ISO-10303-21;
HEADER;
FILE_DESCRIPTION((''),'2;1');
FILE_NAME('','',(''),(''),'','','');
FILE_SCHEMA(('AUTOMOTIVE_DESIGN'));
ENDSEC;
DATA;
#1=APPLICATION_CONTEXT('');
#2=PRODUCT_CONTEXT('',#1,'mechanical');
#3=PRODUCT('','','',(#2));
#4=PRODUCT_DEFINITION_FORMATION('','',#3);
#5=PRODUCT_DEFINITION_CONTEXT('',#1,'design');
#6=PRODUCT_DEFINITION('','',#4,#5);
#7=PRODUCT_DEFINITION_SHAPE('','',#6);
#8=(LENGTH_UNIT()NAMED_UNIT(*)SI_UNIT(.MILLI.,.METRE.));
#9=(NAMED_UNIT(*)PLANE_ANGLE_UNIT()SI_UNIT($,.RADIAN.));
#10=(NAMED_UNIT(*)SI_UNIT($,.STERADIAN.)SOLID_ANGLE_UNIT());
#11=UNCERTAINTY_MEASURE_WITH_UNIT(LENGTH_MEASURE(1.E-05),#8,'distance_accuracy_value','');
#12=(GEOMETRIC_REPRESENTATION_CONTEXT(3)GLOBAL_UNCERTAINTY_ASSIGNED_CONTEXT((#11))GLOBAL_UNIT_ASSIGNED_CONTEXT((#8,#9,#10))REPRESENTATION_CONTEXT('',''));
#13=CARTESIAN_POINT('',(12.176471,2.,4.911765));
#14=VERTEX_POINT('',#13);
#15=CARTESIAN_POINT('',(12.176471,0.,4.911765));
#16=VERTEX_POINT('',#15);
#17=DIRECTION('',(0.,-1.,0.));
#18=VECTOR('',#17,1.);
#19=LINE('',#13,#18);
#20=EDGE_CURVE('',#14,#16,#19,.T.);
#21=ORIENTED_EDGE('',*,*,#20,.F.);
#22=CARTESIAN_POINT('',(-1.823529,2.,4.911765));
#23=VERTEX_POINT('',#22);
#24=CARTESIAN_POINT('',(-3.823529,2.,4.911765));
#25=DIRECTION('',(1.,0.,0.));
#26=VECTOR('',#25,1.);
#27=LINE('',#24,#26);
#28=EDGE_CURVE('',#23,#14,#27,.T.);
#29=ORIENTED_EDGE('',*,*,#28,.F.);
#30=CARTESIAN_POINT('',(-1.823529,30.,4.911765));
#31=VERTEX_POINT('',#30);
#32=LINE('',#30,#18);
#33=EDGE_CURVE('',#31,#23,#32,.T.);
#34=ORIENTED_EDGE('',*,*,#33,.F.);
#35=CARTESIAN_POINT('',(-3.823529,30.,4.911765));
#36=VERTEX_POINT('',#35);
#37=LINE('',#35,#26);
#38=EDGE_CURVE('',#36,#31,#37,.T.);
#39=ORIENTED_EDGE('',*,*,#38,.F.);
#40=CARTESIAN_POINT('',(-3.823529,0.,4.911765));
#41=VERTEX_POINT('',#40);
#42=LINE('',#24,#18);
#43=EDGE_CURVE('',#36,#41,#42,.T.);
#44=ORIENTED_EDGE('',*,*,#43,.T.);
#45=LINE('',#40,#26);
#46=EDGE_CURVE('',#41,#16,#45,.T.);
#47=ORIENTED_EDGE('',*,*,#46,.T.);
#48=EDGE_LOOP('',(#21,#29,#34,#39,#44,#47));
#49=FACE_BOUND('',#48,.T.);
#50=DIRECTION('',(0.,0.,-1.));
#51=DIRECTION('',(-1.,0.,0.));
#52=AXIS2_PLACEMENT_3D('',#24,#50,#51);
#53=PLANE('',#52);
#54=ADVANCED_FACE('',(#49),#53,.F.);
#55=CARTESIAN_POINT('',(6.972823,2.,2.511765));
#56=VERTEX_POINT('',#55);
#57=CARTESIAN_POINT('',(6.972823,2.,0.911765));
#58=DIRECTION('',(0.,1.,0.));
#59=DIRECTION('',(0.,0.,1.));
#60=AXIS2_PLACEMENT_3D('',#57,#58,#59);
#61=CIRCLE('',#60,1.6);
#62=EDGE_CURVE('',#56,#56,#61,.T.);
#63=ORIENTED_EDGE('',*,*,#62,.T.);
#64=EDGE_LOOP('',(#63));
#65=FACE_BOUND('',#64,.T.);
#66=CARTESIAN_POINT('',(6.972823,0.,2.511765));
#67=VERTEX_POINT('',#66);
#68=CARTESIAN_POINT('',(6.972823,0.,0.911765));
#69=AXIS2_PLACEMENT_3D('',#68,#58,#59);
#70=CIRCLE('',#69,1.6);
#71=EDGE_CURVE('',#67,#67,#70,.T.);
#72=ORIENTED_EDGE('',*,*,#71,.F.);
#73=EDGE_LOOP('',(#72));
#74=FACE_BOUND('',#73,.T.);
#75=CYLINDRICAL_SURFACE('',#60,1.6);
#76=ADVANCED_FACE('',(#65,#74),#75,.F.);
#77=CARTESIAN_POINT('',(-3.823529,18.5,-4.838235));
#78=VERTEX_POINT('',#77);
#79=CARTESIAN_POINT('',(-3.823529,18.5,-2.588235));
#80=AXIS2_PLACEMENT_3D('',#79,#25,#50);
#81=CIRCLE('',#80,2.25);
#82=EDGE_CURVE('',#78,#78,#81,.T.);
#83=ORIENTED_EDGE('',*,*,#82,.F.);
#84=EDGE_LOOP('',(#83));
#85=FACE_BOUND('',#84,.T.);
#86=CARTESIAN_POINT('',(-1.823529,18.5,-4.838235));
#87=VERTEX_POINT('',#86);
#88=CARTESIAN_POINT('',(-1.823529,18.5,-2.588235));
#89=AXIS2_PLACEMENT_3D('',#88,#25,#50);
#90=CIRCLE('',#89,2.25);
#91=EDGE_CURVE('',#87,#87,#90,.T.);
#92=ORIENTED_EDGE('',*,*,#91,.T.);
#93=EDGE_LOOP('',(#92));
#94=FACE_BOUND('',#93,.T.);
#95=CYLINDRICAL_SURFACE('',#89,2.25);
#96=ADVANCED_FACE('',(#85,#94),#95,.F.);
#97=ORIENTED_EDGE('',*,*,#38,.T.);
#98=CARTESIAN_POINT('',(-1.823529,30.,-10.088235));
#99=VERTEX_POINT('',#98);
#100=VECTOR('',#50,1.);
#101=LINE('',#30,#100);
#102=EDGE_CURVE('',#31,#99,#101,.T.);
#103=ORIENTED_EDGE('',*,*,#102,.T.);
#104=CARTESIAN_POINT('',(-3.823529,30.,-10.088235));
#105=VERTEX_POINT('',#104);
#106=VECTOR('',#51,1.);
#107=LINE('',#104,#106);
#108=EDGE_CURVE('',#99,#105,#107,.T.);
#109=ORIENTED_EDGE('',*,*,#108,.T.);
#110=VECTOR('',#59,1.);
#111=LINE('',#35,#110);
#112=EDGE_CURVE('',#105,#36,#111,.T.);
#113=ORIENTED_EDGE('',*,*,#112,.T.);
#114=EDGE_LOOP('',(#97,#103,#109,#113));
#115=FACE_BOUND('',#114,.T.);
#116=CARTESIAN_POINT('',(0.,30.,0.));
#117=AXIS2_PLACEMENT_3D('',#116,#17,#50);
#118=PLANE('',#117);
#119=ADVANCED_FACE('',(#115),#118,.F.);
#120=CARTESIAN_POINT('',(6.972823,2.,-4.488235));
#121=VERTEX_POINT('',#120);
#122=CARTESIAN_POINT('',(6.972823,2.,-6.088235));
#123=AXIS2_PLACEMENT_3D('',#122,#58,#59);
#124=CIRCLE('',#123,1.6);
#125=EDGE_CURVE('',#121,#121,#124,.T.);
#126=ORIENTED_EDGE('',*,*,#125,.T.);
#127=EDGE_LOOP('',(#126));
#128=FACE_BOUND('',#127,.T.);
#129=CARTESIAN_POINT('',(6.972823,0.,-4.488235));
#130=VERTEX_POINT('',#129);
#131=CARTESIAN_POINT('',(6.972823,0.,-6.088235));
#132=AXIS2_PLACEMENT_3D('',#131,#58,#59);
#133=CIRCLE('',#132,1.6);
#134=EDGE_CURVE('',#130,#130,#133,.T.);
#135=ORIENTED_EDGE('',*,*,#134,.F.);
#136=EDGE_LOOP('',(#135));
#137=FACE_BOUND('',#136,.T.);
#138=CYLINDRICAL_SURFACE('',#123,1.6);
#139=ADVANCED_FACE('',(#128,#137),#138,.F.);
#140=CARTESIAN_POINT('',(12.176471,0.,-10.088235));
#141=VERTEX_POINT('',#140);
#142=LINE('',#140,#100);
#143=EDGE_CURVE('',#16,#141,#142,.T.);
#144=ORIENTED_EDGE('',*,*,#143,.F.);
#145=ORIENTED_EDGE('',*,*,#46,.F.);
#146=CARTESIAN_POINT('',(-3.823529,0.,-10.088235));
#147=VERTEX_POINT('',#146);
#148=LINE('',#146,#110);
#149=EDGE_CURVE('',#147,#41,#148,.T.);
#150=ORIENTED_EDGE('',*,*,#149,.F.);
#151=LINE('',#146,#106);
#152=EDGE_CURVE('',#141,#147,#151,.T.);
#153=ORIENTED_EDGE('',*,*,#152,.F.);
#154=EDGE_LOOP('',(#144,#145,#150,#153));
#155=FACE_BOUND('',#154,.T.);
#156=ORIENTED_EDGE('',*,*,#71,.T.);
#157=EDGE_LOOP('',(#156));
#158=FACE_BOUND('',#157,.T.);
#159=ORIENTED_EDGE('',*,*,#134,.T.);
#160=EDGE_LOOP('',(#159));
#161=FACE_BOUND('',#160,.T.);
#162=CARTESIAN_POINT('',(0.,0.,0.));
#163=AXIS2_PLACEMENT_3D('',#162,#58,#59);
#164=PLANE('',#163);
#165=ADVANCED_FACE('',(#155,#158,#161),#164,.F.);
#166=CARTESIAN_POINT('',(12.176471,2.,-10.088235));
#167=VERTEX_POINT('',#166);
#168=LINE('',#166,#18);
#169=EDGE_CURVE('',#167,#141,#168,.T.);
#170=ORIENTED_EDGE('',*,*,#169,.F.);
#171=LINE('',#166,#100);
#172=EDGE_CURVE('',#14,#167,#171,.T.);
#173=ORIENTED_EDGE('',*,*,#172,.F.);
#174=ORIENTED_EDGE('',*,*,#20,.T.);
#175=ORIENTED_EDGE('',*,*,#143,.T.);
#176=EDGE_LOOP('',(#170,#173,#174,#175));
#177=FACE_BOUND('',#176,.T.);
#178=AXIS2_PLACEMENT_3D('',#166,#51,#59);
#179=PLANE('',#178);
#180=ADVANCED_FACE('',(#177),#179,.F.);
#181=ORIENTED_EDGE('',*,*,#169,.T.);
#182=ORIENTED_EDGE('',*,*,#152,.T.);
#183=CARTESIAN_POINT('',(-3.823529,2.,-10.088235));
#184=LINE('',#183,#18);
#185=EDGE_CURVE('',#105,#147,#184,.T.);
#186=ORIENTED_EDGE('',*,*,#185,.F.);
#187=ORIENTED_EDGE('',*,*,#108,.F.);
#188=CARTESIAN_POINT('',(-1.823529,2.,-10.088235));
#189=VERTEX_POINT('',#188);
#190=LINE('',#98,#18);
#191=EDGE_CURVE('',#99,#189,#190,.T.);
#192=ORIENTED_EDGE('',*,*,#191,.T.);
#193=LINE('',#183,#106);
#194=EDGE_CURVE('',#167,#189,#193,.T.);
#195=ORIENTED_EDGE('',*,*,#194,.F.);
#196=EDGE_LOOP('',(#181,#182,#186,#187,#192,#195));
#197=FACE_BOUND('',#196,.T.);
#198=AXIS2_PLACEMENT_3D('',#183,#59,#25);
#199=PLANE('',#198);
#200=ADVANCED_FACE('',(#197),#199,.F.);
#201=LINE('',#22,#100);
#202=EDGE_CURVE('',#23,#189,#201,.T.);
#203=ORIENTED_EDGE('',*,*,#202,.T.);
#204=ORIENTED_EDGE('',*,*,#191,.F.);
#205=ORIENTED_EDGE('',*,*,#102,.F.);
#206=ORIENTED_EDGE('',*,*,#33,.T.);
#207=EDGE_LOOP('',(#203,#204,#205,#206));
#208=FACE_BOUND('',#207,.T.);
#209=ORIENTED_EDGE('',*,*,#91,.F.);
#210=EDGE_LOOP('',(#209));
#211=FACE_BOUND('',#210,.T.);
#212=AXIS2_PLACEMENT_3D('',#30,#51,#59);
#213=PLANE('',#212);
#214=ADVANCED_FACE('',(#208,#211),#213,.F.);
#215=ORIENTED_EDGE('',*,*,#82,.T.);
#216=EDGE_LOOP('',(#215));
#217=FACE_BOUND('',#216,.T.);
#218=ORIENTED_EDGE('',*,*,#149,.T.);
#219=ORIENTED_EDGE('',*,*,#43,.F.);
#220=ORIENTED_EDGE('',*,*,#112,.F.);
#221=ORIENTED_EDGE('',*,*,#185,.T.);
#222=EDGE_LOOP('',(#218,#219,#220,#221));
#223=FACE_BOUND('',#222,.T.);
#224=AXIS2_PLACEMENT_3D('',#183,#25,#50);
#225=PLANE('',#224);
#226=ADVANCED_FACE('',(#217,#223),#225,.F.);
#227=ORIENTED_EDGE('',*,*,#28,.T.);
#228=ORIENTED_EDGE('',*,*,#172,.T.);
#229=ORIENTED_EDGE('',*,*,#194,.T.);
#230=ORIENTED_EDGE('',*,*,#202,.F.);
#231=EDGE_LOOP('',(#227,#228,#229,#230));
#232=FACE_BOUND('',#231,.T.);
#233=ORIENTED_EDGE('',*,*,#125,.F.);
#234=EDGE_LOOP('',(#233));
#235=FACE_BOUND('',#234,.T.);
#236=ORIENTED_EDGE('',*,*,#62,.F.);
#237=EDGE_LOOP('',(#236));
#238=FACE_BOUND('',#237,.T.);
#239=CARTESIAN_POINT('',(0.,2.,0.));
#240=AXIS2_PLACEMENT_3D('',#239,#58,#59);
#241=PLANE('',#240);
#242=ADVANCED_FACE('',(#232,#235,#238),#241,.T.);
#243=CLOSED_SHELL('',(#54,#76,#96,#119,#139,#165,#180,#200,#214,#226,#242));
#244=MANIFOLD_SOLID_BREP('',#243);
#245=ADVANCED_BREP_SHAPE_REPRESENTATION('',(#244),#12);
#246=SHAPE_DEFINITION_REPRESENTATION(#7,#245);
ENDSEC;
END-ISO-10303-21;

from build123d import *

# Parameters (mm, degrees)
SKETCH1_W                  = 16
SKETCH1_H                  = 15
BOSS_EXTRUDE1_DEPTH        = 2
SKETCH4_W                  = 2
SKETCH4_H                  = 15
BOSS_EXTRUDE4_DEPTH        = 28
F_3_2_3_2_DIAMETER_SLOT1_D = 3.2
M4_CLEARANCE_SLOT1_D       = 4.5


with BuildPart() as part:
    # Sketch1 → Boss-Extrude1 (new body)
    with BuildSketch(Plane(origin=(0, 0, 0), x_dir=(1, 0, 0), z_dir=(0, 1, 0))):
        with Locations((4.176470588, 2.588235294)):
            Rectangle(SKETCH1_W, SKETCH1_H)
    extrude(amount=BOSS_EXTRUDE1_DEPTH)

    # Sketch4 → Boss-Extrude4 (add)
    with BuildSketch(Plane(origin=(0, 2, 0), x_dir=(1, 0, 0), z_dir=(0, 1, 0))):
        with Locations((-2.823529412, 2.588235294)):
            Rectangle(SKETCH4_W, SKETCH4_H)
    extrude(amount=BOSS_EXTRUDE4_DEPTH)

    # Ø3.2 (3.2) Diameter Slot1 (through all)
    with Locations(Plane(origin=(0, 2, 0), x_dir=(1, 0, 0), z_dir=(0, 1, 0))):
        with Locations((6.972823148, 6.088235294), (6.972823148, -0.911764706)):
            Hole(F_3_2_3_2_DIAMETER_SLOT1_D / 2)

    # M4 Clearance Slot1 (through all)
    with Locations(Plane(origin=(-1.823529412, 0, 0), x_dir=(0, 0, -1), z_dir=(1, 0, 0))):
        with Locations((2.588235294, 18.5)):
            Hole(M4_CLEARANCE_SLOT1_D / 2)


solid = part.part
